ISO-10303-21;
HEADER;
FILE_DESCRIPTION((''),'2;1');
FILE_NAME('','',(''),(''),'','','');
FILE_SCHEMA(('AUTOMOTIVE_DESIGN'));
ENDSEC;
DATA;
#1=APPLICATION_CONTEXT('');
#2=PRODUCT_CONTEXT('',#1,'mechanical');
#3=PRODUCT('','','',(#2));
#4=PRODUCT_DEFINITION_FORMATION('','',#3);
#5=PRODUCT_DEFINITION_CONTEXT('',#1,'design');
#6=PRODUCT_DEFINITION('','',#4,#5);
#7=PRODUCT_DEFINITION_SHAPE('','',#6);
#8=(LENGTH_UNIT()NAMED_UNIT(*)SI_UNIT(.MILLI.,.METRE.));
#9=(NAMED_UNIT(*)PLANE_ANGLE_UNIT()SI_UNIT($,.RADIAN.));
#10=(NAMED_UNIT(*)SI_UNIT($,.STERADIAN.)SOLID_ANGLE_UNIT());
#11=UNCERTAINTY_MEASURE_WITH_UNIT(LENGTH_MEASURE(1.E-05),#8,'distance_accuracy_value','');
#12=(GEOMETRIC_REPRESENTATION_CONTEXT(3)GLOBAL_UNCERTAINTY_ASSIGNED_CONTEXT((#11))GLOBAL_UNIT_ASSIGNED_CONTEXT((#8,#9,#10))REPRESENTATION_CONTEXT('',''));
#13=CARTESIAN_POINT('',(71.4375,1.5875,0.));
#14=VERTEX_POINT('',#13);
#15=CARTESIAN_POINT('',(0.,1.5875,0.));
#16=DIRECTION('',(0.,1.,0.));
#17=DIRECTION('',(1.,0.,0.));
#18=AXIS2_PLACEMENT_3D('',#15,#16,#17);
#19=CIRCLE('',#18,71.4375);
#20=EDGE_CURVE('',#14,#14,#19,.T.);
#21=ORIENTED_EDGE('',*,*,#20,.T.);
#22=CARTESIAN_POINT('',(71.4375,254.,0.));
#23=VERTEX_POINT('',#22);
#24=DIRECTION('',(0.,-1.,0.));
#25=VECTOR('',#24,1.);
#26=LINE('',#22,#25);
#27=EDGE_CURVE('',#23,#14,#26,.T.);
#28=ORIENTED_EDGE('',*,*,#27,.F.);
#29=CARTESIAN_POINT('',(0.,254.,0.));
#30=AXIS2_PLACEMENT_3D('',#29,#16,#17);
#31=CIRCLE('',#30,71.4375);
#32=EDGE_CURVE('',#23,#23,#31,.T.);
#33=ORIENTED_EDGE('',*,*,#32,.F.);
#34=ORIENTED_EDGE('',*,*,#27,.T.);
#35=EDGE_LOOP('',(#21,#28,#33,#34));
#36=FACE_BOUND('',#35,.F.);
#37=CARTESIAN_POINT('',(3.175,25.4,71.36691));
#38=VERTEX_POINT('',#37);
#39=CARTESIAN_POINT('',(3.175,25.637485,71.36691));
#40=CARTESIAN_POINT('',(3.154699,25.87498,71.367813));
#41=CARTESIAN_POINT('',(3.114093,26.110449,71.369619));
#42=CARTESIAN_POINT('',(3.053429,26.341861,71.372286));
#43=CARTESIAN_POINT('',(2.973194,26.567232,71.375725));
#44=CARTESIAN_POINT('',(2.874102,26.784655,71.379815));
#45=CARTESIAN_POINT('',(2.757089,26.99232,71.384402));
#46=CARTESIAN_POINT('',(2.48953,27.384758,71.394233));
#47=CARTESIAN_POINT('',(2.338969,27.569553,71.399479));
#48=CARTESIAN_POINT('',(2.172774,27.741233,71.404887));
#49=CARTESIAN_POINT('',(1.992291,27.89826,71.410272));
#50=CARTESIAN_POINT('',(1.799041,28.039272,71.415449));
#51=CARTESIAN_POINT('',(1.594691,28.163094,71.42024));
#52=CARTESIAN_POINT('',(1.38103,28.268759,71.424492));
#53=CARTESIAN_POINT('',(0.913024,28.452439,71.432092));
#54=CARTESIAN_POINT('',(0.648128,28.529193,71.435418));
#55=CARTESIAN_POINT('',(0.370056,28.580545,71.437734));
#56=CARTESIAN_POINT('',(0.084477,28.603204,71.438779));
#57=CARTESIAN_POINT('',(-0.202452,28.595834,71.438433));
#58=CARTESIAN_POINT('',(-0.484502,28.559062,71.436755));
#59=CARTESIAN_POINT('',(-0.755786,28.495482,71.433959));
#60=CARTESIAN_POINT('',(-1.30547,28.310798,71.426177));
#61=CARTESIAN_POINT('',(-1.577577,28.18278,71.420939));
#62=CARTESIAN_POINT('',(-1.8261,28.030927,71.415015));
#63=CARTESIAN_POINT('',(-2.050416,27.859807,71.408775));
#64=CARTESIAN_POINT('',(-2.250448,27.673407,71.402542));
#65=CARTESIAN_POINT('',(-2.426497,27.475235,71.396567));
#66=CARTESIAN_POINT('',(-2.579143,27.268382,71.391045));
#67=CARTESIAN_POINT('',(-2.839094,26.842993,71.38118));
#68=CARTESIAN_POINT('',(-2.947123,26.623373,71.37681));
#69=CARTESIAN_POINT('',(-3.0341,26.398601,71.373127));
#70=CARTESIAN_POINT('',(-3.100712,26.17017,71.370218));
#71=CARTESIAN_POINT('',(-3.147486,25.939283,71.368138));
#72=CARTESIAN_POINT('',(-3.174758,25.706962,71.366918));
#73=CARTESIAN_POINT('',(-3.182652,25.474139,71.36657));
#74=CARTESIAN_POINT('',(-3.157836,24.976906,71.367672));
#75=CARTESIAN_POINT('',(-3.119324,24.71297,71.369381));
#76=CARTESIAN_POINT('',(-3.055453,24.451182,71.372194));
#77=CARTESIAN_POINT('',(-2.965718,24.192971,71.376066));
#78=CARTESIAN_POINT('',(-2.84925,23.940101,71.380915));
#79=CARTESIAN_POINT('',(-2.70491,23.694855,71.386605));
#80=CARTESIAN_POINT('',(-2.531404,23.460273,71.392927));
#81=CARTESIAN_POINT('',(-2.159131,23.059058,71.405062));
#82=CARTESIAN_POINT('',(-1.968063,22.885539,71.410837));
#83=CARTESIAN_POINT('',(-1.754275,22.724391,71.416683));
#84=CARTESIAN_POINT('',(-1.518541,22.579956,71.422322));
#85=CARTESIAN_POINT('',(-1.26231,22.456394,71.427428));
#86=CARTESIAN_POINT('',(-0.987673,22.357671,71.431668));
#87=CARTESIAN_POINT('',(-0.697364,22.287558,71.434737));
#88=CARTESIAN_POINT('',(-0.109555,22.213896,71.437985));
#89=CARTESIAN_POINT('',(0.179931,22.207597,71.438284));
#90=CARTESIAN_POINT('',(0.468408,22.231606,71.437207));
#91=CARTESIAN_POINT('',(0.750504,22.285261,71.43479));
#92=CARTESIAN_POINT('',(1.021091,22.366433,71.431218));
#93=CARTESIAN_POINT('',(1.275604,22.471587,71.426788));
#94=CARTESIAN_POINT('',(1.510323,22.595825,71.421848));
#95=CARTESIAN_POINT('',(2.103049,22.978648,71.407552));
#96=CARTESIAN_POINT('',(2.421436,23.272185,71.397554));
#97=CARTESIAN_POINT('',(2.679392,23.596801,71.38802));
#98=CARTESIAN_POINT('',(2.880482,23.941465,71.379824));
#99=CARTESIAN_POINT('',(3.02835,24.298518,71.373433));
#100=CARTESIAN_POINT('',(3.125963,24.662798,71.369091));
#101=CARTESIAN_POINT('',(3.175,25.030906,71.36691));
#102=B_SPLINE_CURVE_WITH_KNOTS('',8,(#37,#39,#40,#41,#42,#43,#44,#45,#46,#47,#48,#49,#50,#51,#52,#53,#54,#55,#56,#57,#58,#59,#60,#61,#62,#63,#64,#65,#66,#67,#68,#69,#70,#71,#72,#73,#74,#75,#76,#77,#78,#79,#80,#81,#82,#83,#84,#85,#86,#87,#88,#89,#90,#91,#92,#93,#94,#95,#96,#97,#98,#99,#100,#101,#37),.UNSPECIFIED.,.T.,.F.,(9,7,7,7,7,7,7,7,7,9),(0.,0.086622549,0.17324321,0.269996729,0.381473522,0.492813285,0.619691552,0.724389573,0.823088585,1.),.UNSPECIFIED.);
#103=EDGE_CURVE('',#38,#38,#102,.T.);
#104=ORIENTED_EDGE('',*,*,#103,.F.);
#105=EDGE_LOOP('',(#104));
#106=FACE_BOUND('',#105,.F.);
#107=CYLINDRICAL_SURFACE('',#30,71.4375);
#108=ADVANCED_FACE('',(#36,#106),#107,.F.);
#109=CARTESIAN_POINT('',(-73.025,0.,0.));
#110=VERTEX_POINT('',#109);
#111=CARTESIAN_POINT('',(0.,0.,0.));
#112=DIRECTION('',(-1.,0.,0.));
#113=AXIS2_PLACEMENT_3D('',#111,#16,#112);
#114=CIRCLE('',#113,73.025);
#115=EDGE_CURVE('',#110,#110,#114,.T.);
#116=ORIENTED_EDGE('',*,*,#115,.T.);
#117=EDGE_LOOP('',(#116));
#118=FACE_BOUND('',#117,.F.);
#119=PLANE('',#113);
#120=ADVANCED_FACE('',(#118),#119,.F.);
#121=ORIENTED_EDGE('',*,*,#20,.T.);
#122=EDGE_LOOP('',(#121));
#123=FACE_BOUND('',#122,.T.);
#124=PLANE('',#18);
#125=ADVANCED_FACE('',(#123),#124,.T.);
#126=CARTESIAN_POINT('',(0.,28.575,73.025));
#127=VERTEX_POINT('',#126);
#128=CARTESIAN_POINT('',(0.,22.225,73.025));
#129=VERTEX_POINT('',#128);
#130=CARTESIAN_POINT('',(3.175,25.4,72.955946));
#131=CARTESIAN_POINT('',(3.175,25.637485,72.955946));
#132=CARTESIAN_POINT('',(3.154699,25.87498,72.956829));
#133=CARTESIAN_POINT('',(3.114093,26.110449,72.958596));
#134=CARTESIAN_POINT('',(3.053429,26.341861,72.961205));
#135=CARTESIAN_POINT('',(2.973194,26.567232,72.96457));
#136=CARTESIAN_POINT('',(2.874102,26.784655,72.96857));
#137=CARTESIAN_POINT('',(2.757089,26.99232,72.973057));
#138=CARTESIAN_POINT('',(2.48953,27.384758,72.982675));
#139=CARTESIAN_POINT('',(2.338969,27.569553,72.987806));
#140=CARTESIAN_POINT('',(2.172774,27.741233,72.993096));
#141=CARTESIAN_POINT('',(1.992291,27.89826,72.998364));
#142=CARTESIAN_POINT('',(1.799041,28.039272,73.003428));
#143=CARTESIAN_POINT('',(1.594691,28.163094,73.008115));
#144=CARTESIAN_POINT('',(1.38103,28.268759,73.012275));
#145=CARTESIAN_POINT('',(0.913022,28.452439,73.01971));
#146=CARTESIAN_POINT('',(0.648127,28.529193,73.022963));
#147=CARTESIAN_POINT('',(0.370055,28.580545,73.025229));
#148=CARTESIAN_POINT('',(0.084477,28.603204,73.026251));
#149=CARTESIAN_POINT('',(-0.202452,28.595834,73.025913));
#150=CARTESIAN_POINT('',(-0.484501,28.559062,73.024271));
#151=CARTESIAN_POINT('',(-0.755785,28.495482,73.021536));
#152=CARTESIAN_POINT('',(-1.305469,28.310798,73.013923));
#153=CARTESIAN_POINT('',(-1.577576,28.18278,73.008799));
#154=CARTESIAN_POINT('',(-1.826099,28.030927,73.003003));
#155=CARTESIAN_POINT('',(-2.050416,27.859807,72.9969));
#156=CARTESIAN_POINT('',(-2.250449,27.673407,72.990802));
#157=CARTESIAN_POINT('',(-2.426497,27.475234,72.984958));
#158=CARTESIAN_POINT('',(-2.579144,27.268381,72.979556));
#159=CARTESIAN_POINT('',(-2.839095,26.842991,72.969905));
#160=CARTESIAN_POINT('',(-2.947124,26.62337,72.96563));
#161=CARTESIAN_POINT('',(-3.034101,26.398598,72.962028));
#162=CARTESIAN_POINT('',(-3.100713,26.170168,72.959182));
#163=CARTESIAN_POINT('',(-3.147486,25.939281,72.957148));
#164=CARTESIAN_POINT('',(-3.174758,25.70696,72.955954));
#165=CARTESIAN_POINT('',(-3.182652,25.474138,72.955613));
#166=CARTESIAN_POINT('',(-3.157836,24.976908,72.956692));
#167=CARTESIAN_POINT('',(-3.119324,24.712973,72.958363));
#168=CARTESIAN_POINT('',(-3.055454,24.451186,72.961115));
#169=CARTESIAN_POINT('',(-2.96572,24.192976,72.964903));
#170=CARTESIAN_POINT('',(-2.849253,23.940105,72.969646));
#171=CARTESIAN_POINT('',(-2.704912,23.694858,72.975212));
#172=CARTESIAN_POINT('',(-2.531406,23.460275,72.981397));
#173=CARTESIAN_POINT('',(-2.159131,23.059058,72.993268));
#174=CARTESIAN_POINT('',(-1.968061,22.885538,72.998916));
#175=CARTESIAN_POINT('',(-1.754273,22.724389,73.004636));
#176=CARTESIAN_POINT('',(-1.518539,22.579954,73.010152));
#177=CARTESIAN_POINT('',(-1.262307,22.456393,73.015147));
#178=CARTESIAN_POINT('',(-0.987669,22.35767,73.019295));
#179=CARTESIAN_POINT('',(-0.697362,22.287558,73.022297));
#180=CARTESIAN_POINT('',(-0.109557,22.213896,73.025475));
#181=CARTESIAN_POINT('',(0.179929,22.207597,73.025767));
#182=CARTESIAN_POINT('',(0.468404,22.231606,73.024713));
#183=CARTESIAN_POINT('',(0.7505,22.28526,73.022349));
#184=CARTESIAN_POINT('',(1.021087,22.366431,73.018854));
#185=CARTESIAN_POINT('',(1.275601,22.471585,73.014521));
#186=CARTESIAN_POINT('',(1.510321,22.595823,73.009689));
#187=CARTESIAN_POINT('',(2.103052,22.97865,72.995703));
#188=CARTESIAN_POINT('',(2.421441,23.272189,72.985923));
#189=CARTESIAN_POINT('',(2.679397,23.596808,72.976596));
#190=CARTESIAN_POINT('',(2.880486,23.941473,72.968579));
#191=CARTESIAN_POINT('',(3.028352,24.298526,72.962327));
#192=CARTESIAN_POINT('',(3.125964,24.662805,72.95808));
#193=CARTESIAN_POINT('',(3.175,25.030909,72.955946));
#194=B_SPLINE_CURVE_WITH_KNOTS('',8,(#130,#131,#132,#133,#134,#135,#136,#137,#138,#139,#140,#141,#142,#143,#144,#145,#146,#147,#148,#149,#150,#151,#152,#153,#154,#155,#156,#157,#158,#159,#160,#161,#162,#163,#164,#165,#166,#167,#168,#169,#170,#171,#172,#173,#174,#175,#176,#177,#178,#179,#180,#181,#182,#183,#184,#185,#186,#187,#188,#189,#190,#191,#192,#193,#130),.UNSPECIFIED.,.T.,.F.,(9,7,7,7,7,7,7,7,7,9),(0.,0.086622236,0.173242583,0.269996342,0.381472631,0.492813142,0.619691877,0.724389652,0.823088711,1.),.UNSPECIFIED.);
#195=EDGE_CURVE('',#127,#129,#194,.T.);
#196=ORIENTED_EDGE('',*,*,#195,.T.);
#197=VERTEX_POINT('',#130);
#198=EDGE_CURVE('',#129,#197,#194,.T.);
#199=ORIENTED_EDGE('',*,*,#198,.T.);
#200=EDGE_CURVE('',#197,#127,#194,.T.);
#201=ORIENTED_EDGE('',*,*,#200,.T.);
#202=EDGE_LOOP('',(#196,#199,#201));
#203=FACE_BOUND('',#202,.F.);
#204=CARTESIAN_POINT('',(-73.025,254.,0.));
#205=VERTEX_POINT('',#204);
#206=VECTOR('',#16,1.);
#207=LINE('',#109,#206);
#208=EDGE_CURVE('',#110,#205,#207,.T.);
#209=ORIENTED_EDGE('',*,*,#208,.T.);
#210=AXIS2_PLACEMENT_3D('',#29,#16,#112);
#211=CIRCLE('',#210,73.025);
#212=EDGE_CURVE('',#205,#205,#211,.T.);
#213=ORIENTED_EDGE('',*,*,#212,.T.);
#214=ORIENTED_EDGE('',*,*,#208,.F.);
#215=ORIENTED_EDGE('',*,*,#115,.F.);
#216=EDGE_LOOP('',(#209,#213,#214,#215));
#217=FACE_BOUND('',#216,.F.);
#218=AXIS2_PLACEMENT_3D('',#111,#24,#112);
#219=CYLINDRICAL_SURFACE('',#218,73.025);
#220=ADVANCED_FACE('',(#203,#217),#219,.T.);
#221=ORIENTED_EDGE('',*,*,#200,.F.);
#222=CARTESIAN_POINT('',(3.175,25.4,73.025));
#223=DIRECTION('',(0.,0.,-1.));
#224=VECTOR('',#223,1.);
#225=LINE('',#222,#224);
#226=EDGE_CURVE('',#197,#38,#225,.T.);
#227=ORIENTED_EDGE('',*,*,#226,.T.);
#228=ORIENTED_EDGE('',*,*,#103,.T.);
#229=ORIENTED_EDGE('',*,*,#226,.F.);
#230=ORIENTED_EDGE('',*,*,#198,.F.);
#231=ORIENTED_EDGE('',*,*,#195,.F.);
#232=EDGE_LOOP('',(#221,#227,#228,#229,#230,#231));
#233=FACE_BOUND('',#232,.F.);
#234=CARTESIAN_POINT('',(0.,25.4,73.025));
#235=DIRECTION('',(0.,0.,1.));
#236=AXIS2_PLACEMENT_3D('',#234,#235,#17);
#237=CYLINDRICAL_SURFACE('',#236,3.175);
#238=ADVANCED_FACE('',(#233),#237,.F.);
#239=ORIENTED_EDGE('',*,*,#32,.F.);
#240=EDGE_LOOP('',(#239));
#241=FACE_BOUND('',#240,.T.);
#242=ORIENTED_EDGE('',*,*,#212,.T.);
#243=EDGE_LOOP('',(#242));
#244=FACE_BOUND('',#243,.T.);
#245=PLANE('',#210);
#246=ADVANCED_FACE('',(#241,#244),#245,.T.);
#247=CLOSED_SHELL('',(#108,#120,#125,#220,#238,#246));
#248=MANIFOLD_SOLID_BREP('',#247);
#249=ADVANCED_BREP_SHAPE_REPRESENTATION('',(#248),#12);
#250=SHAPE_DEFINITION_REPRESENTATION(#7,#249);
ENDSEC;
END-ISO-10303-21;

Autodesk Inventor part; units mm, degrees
ref_plane "YZ Plane" through (0, 0, 0) normal (1, 0, 0) x (0, 1, 0)
ref_plane "XZ Plane" through (0, 0, 0) normal (0, 1, 0) x (-1, 0, 0)
ref_plane "XY Plane" through (0, 0, 0) normal (0, 0, 1) x (1, 0, 0)
sketch "Sketch1" plane through (0, 0, 0) normal (0, 1, 0) x (-1, 0, 0)
  circle A0 centre (0, 0) radius 73.025
  dimension "d0" = 146.05
extrude "Extrusion1" add sketch "Sketch1" along normal blind 254
sketch "Sketch2" plane through (0, 254, 0) normal (0, 1, 0) x (1, 0, 0)
  circle A0 centre (0, 0) radius 73.025 projected
  circle A1 centre (0, 0) radius 71.4375
  dimension "d3" = 1.5875
extrude "Extrusion2" cut sketch "Sketch2" against normal blind 252.4125 contours A1
sketch "Sketch3" plane through (0, 0, 0) normal (0, -1, 0) x (1, 0, 0)
  circle A0 centre (0, 0) radius 73.025 projected
  point P0 (0, 73.025)
ref_plane "Work Plane1" through (0, 0, 73.025) normal (0, 0, 1) x (1, 0, 0)
sketch "Sketch4" plane through (0, 0, 73.025) normal (0, 0, 1) x (1, 0, 0)
  circle A0 centre (0, 25.4) radius 3.175
  point P0 (0, 0)
  dimension "d6" = 6.35
  dimension "d7" = 25.4
extrude "Extrusion3" cut sketch "Sketch4" against normal blind 25.4
sketch "Sketch5" plane through (0, 1.5875, 0) normal (0, 1, 0) x (1, 0, 0)
  circle A0 centre (0, 0) radius 71.4375 projected
  point P0 (0, -71.4375)
ref_plane "Work Plane2" through (0, 1.5875, 71.4375) normal (0, 0, 1) x (1, 0, 0)
sketch "Sketch6" plane through (0, 1.5875, 71.4375) normal (0, 0, 1) x (1, 0, 0)
  line L0 (-71.4375, 0) -> (71.4375, 0) projected
  line L1 (-71.4375, 252.4125) -> (71.4375, 252.4125) projected
  point P0 (0, -1.5875)
  point P1 (3.175, 23.8125)
  point P2 (0, 23.8125)
properties part number "Water Jug" material "PC/ABS Plastic"
